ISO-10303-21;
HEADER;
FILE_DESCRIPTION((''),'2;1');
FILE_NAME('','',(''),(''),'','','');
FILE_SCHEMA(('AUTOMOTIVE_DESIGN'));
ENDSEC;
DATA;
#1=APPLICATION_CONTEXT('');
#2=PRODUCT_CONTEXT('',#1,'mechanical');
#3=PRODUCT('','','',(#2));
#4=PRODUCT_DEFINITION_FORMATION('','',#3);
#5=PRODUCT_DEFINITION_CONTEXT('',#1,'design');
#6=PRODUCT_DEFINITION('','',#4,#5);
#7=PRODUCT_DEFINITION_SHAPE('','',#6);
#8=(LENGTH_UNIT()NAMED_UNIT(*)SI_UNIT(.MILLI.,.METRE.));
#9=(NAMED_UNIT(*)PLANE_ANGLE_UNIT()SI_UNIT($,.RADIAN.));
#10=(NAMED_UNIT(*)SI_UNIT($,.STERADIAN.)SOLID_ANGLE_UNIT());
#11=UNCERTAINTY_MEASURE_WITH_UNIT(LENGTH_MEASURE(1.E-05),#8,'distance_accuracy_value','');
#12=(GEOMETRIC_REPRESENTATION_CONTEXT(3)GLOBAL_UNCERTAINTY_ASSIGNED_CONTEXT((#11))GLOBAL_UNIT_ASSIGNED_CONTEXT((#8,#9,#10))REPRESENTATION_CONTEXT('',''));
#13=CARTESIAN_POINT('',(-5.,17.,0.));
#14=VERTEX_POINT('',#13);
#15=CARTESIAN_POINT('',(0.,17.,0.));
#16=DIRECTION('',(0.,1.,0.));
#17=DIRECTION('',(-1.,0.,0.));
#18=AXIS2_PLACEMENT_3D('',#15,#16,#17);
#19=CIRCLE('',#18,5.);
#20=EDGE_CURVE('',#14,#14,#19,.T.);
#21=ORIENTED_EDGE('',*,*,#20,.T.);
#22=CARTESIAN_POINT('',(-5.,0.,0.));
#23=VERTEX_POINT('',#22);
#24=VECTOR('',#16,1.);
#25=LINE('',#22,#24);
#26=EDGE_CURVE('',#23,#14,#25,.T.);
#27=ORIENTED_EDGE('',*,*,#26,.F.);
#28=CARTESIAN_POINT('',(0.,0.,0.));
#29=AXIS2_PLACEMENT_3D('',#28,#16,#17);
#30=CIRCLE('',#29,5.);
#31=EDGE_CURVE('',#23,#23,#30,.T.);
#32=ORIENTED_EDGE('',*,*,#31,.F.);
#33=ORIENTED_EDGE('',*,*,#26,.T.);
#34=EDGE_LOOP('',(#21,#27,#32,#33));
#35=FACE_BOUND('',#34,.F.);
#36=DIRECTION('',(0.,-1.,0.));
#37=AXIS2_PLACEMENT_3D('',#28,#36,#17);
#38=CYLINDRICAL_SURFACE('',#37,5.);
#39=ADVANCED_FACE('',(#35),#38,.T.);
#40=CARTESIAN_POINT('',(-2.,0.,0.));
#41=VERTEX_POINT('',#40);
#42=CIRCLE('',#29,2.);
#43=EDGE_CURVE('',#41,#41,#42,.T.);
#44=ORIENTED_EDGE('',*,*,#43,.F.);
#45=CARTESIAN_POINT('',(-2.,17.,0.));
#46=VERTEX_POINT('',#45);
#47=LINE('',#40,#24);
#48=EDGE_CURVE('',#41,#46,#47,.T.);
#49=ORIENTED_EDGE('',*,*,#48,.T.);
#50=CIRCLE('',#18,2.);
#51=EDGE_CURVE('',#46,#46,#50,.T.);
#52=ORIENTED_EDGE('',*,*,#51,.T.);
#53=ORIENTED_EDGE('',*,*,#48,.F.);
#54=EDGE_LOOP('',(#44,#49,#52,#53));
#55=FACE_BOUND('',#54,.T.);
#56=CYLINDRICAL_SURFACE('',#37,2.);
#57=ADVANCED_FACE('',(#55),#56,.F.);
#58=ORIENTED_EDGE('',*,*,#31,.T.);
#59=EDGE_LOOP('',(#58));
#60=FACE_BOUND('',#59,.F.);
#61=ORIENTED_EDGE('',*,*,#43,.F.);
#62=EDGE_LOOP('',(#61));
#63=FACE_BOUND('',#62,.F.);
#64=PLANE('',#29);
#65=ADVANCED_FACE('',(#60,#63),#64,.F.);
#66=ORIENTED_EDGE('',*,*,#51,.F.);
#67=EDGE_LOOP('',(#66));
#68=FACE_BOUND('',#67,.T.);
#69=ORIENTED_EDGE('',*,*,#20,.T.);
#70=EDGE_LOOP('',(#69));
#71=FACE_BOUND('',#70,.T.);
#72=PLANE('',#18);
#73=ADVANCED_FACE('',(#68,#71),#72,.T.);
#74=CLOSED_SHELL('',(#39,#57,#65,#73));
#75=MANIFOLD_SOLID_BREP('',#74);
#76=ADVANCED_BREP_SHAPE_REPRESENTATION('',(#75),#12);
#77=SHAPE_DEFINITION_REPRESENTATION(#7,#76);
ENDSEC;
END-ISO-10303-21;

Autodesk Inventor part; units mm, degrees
ref_plane "YZ Plane" through (0, 0, 0) normal (1, 0, 0) x (0, 1, 0)
ref_plane "XZ Plane" through (0, 0, 0) normal (0, 1, 0) x (-1, 0, 0)
ref_plane "XY Plane" through (0, 0, 0) normal (0, 0, 1) x (1, 0, 0)
sketch "Boceto1" plane through (0, 0, 0) normal (0, 1, 0) x (-1, 0, 0)
  circle A0 centre (0, 0) radius 5
  circle A1 centre (0, 0) radius 2
  dimension "d10" = 10
  dimension "d20" = 4
extrude "Extrusión2" add sketch "Boceto1" along normal blind 17
thread "Thread2" size "M4x0.7" class "6H" standard "ISO Metric profile" length 15
properties part number "Tope para Cerradura Lateral"
